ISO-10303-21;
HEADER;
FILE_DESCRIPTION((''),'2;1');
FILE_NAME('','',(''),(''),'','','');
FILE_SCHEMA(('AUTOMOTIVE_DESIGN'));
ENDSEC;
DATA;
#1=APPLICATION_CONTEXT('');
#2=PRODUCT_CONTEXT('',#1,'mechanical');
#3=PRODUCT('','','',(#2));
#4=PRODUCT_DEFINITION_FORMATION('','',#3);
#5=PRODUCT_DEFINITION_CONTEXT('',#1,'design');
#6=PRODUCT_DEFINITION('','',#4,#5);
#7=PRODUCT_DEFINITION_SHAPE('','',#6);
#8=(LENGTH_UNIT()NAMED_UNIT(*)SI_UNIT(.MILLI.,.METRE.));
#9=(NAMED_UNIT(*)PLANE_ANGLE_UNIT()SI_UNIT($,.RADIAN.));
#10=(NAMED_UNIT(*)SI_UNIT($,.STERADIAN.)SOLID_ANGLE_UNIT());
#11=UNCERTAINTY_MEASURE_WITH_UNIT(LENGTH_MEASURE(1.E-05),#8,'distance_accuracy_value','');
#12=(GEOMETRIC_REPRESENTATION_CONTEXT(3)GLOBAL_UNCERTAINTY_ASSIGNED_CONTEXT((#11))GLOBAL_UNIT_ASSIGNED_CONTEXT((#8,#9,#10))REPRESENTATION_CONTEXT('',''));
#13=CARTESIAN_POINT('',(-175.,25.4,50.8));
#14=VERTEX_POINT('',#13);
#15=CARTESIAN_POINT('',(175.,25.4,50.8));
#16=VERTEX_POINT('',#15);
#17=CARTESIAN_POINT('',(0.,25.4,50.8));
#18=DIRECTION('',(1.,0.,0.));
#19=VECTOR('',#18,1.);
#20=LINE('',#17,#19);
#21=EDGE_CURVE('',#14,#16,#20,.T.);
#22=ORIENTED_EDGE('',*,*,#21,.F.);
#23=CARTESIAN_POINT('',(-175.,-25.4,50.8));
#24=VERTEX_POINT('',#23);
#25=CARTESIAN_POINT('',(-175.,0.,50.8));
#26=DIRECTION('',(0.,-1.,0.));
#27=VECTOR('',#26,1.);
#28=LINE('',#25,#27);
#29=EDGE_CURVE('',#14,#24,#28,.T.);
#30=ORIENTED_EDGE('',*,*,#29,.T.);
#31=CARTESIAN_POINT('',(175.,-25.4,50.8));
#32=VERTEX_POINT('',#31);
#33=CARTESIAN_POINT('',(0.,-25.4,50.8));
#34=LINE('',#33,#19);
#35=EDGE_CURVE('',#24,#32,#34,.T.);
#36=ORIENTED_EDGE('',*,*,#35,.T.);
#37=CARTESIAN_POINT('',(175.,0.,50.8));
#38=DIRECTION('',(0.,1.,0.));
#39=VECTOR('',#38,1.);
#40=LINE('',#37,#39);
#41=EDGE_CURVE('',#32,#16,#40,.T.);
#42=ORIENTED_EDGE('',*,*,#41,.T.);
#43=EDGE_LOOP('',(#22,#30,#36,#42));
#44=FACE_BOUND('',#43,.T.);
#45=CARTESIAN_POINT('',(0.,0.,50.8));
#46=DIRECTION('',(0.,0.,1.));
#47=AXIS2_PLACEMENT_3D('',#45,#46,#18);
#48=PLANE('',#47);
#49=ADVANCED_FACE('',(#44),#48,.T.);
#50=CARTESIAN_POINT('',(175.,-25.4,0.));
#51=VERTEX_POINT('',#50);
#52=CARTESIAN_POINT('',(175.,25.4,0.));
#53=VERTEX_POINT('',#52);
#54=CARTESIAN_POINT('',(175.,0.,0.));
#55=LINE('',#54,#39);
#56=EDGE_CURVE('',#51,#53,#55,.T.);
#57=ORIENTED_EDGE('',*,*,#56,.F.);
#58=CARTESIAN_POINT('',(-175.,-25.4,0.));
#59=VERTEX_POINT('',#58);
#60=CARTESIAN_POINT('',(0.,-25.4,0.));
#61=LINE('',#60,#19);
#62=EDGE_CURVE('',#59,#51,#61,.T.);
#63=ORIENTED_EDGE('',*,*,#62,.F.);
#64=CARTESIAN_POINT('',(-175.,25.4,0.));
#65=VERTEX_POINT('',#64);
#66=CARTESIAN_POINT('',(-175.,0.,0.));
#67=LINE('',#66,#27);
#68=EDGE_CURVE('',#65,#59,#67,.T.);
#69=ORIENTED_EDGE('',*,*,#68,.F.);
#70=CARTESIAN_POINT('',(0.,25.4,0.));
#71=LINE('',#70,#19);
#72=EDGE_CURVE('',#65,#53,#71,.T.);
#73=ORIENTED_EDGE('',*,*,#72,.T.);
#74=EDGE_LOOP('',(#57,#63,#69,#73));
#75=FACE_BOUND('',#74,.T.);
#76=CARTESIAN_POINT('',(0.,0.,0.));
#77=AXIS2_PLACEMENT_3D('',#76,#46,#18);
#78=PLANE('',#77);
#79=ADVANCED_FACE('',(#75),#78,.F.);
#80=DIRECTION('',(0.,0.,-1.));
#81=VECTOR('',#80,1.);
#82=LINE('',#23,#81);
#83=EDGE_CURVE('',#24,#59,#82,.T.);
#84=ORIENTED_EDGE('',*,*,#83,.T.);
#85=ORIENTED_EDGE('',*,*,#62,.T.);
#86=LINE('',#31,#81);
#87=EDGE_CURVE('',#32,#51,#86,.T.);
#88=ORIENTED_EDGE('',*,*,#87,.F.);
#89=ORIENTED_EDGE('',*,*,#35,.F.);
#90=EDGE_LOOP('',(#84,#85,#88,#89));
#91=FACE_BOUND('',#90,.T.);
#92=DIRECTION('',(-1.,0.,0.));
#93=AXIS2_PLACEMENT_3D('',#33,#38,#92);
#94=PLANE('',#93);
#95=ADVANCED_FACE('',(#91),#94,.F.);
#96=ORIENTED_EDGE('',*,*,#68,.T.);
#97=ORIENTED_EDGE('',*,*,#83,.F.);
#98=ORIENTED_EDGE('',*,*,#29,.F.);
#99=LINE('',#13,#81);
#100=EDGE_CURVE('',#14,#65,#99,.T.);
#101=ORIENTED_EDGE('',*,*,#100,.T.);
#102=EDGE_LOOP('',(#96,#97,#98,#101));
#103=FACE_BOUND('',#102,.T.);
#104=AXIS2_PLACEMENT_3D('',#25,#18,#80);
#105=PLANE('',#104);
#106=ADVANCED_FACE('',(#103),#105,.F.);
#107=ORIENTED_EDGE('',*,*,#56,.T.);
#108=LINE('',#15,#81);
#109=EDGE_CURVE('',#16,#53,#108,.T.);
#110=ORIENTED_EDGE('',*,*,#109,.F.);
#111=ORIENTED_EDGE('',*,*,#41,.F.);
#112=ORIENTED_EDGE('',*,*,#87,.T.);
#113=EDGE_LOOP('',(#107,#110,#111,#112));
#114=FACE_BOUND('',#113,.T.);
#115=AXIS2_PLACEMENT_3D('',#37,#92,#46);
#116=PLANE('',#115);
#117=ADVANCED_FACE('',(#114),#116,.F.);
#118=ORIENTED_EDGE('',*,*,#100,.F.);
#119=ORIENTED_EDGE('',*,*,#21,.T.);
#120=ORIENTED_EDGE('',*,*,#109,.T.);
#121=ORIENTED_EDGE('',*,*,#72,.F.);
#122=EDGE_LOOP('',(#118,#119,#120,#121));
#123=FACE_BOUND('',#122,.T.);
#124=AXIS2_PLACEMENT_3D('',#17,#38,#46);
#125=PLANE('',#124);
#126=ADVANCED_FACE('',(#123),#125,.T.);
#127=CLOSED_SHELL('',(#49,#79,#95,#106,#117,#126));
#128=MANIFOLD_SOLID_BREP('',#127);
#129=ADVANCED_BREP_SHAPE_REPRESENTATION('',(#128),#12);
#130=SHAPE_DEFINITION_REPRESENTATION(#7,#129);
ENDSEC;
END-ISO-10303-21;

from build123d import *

# Parameters (mm, degrees)
SKETCH1_3_W         = 350
SKETCH1_3_H         = 50.8
BOSS_EXTRUDE2_DEPTH = 50.8


with BuildPart() as part:
    # Sketch1<3> → Boss-Extrude2 (new body)
    with BuildSketch(Plane.XY):
        Rectangle(SKETCH1_3_W, SKETCH1_3_H)
    extrude(amount=BOSS_EXTRUDE2_DEPTH)


solid = part.part
